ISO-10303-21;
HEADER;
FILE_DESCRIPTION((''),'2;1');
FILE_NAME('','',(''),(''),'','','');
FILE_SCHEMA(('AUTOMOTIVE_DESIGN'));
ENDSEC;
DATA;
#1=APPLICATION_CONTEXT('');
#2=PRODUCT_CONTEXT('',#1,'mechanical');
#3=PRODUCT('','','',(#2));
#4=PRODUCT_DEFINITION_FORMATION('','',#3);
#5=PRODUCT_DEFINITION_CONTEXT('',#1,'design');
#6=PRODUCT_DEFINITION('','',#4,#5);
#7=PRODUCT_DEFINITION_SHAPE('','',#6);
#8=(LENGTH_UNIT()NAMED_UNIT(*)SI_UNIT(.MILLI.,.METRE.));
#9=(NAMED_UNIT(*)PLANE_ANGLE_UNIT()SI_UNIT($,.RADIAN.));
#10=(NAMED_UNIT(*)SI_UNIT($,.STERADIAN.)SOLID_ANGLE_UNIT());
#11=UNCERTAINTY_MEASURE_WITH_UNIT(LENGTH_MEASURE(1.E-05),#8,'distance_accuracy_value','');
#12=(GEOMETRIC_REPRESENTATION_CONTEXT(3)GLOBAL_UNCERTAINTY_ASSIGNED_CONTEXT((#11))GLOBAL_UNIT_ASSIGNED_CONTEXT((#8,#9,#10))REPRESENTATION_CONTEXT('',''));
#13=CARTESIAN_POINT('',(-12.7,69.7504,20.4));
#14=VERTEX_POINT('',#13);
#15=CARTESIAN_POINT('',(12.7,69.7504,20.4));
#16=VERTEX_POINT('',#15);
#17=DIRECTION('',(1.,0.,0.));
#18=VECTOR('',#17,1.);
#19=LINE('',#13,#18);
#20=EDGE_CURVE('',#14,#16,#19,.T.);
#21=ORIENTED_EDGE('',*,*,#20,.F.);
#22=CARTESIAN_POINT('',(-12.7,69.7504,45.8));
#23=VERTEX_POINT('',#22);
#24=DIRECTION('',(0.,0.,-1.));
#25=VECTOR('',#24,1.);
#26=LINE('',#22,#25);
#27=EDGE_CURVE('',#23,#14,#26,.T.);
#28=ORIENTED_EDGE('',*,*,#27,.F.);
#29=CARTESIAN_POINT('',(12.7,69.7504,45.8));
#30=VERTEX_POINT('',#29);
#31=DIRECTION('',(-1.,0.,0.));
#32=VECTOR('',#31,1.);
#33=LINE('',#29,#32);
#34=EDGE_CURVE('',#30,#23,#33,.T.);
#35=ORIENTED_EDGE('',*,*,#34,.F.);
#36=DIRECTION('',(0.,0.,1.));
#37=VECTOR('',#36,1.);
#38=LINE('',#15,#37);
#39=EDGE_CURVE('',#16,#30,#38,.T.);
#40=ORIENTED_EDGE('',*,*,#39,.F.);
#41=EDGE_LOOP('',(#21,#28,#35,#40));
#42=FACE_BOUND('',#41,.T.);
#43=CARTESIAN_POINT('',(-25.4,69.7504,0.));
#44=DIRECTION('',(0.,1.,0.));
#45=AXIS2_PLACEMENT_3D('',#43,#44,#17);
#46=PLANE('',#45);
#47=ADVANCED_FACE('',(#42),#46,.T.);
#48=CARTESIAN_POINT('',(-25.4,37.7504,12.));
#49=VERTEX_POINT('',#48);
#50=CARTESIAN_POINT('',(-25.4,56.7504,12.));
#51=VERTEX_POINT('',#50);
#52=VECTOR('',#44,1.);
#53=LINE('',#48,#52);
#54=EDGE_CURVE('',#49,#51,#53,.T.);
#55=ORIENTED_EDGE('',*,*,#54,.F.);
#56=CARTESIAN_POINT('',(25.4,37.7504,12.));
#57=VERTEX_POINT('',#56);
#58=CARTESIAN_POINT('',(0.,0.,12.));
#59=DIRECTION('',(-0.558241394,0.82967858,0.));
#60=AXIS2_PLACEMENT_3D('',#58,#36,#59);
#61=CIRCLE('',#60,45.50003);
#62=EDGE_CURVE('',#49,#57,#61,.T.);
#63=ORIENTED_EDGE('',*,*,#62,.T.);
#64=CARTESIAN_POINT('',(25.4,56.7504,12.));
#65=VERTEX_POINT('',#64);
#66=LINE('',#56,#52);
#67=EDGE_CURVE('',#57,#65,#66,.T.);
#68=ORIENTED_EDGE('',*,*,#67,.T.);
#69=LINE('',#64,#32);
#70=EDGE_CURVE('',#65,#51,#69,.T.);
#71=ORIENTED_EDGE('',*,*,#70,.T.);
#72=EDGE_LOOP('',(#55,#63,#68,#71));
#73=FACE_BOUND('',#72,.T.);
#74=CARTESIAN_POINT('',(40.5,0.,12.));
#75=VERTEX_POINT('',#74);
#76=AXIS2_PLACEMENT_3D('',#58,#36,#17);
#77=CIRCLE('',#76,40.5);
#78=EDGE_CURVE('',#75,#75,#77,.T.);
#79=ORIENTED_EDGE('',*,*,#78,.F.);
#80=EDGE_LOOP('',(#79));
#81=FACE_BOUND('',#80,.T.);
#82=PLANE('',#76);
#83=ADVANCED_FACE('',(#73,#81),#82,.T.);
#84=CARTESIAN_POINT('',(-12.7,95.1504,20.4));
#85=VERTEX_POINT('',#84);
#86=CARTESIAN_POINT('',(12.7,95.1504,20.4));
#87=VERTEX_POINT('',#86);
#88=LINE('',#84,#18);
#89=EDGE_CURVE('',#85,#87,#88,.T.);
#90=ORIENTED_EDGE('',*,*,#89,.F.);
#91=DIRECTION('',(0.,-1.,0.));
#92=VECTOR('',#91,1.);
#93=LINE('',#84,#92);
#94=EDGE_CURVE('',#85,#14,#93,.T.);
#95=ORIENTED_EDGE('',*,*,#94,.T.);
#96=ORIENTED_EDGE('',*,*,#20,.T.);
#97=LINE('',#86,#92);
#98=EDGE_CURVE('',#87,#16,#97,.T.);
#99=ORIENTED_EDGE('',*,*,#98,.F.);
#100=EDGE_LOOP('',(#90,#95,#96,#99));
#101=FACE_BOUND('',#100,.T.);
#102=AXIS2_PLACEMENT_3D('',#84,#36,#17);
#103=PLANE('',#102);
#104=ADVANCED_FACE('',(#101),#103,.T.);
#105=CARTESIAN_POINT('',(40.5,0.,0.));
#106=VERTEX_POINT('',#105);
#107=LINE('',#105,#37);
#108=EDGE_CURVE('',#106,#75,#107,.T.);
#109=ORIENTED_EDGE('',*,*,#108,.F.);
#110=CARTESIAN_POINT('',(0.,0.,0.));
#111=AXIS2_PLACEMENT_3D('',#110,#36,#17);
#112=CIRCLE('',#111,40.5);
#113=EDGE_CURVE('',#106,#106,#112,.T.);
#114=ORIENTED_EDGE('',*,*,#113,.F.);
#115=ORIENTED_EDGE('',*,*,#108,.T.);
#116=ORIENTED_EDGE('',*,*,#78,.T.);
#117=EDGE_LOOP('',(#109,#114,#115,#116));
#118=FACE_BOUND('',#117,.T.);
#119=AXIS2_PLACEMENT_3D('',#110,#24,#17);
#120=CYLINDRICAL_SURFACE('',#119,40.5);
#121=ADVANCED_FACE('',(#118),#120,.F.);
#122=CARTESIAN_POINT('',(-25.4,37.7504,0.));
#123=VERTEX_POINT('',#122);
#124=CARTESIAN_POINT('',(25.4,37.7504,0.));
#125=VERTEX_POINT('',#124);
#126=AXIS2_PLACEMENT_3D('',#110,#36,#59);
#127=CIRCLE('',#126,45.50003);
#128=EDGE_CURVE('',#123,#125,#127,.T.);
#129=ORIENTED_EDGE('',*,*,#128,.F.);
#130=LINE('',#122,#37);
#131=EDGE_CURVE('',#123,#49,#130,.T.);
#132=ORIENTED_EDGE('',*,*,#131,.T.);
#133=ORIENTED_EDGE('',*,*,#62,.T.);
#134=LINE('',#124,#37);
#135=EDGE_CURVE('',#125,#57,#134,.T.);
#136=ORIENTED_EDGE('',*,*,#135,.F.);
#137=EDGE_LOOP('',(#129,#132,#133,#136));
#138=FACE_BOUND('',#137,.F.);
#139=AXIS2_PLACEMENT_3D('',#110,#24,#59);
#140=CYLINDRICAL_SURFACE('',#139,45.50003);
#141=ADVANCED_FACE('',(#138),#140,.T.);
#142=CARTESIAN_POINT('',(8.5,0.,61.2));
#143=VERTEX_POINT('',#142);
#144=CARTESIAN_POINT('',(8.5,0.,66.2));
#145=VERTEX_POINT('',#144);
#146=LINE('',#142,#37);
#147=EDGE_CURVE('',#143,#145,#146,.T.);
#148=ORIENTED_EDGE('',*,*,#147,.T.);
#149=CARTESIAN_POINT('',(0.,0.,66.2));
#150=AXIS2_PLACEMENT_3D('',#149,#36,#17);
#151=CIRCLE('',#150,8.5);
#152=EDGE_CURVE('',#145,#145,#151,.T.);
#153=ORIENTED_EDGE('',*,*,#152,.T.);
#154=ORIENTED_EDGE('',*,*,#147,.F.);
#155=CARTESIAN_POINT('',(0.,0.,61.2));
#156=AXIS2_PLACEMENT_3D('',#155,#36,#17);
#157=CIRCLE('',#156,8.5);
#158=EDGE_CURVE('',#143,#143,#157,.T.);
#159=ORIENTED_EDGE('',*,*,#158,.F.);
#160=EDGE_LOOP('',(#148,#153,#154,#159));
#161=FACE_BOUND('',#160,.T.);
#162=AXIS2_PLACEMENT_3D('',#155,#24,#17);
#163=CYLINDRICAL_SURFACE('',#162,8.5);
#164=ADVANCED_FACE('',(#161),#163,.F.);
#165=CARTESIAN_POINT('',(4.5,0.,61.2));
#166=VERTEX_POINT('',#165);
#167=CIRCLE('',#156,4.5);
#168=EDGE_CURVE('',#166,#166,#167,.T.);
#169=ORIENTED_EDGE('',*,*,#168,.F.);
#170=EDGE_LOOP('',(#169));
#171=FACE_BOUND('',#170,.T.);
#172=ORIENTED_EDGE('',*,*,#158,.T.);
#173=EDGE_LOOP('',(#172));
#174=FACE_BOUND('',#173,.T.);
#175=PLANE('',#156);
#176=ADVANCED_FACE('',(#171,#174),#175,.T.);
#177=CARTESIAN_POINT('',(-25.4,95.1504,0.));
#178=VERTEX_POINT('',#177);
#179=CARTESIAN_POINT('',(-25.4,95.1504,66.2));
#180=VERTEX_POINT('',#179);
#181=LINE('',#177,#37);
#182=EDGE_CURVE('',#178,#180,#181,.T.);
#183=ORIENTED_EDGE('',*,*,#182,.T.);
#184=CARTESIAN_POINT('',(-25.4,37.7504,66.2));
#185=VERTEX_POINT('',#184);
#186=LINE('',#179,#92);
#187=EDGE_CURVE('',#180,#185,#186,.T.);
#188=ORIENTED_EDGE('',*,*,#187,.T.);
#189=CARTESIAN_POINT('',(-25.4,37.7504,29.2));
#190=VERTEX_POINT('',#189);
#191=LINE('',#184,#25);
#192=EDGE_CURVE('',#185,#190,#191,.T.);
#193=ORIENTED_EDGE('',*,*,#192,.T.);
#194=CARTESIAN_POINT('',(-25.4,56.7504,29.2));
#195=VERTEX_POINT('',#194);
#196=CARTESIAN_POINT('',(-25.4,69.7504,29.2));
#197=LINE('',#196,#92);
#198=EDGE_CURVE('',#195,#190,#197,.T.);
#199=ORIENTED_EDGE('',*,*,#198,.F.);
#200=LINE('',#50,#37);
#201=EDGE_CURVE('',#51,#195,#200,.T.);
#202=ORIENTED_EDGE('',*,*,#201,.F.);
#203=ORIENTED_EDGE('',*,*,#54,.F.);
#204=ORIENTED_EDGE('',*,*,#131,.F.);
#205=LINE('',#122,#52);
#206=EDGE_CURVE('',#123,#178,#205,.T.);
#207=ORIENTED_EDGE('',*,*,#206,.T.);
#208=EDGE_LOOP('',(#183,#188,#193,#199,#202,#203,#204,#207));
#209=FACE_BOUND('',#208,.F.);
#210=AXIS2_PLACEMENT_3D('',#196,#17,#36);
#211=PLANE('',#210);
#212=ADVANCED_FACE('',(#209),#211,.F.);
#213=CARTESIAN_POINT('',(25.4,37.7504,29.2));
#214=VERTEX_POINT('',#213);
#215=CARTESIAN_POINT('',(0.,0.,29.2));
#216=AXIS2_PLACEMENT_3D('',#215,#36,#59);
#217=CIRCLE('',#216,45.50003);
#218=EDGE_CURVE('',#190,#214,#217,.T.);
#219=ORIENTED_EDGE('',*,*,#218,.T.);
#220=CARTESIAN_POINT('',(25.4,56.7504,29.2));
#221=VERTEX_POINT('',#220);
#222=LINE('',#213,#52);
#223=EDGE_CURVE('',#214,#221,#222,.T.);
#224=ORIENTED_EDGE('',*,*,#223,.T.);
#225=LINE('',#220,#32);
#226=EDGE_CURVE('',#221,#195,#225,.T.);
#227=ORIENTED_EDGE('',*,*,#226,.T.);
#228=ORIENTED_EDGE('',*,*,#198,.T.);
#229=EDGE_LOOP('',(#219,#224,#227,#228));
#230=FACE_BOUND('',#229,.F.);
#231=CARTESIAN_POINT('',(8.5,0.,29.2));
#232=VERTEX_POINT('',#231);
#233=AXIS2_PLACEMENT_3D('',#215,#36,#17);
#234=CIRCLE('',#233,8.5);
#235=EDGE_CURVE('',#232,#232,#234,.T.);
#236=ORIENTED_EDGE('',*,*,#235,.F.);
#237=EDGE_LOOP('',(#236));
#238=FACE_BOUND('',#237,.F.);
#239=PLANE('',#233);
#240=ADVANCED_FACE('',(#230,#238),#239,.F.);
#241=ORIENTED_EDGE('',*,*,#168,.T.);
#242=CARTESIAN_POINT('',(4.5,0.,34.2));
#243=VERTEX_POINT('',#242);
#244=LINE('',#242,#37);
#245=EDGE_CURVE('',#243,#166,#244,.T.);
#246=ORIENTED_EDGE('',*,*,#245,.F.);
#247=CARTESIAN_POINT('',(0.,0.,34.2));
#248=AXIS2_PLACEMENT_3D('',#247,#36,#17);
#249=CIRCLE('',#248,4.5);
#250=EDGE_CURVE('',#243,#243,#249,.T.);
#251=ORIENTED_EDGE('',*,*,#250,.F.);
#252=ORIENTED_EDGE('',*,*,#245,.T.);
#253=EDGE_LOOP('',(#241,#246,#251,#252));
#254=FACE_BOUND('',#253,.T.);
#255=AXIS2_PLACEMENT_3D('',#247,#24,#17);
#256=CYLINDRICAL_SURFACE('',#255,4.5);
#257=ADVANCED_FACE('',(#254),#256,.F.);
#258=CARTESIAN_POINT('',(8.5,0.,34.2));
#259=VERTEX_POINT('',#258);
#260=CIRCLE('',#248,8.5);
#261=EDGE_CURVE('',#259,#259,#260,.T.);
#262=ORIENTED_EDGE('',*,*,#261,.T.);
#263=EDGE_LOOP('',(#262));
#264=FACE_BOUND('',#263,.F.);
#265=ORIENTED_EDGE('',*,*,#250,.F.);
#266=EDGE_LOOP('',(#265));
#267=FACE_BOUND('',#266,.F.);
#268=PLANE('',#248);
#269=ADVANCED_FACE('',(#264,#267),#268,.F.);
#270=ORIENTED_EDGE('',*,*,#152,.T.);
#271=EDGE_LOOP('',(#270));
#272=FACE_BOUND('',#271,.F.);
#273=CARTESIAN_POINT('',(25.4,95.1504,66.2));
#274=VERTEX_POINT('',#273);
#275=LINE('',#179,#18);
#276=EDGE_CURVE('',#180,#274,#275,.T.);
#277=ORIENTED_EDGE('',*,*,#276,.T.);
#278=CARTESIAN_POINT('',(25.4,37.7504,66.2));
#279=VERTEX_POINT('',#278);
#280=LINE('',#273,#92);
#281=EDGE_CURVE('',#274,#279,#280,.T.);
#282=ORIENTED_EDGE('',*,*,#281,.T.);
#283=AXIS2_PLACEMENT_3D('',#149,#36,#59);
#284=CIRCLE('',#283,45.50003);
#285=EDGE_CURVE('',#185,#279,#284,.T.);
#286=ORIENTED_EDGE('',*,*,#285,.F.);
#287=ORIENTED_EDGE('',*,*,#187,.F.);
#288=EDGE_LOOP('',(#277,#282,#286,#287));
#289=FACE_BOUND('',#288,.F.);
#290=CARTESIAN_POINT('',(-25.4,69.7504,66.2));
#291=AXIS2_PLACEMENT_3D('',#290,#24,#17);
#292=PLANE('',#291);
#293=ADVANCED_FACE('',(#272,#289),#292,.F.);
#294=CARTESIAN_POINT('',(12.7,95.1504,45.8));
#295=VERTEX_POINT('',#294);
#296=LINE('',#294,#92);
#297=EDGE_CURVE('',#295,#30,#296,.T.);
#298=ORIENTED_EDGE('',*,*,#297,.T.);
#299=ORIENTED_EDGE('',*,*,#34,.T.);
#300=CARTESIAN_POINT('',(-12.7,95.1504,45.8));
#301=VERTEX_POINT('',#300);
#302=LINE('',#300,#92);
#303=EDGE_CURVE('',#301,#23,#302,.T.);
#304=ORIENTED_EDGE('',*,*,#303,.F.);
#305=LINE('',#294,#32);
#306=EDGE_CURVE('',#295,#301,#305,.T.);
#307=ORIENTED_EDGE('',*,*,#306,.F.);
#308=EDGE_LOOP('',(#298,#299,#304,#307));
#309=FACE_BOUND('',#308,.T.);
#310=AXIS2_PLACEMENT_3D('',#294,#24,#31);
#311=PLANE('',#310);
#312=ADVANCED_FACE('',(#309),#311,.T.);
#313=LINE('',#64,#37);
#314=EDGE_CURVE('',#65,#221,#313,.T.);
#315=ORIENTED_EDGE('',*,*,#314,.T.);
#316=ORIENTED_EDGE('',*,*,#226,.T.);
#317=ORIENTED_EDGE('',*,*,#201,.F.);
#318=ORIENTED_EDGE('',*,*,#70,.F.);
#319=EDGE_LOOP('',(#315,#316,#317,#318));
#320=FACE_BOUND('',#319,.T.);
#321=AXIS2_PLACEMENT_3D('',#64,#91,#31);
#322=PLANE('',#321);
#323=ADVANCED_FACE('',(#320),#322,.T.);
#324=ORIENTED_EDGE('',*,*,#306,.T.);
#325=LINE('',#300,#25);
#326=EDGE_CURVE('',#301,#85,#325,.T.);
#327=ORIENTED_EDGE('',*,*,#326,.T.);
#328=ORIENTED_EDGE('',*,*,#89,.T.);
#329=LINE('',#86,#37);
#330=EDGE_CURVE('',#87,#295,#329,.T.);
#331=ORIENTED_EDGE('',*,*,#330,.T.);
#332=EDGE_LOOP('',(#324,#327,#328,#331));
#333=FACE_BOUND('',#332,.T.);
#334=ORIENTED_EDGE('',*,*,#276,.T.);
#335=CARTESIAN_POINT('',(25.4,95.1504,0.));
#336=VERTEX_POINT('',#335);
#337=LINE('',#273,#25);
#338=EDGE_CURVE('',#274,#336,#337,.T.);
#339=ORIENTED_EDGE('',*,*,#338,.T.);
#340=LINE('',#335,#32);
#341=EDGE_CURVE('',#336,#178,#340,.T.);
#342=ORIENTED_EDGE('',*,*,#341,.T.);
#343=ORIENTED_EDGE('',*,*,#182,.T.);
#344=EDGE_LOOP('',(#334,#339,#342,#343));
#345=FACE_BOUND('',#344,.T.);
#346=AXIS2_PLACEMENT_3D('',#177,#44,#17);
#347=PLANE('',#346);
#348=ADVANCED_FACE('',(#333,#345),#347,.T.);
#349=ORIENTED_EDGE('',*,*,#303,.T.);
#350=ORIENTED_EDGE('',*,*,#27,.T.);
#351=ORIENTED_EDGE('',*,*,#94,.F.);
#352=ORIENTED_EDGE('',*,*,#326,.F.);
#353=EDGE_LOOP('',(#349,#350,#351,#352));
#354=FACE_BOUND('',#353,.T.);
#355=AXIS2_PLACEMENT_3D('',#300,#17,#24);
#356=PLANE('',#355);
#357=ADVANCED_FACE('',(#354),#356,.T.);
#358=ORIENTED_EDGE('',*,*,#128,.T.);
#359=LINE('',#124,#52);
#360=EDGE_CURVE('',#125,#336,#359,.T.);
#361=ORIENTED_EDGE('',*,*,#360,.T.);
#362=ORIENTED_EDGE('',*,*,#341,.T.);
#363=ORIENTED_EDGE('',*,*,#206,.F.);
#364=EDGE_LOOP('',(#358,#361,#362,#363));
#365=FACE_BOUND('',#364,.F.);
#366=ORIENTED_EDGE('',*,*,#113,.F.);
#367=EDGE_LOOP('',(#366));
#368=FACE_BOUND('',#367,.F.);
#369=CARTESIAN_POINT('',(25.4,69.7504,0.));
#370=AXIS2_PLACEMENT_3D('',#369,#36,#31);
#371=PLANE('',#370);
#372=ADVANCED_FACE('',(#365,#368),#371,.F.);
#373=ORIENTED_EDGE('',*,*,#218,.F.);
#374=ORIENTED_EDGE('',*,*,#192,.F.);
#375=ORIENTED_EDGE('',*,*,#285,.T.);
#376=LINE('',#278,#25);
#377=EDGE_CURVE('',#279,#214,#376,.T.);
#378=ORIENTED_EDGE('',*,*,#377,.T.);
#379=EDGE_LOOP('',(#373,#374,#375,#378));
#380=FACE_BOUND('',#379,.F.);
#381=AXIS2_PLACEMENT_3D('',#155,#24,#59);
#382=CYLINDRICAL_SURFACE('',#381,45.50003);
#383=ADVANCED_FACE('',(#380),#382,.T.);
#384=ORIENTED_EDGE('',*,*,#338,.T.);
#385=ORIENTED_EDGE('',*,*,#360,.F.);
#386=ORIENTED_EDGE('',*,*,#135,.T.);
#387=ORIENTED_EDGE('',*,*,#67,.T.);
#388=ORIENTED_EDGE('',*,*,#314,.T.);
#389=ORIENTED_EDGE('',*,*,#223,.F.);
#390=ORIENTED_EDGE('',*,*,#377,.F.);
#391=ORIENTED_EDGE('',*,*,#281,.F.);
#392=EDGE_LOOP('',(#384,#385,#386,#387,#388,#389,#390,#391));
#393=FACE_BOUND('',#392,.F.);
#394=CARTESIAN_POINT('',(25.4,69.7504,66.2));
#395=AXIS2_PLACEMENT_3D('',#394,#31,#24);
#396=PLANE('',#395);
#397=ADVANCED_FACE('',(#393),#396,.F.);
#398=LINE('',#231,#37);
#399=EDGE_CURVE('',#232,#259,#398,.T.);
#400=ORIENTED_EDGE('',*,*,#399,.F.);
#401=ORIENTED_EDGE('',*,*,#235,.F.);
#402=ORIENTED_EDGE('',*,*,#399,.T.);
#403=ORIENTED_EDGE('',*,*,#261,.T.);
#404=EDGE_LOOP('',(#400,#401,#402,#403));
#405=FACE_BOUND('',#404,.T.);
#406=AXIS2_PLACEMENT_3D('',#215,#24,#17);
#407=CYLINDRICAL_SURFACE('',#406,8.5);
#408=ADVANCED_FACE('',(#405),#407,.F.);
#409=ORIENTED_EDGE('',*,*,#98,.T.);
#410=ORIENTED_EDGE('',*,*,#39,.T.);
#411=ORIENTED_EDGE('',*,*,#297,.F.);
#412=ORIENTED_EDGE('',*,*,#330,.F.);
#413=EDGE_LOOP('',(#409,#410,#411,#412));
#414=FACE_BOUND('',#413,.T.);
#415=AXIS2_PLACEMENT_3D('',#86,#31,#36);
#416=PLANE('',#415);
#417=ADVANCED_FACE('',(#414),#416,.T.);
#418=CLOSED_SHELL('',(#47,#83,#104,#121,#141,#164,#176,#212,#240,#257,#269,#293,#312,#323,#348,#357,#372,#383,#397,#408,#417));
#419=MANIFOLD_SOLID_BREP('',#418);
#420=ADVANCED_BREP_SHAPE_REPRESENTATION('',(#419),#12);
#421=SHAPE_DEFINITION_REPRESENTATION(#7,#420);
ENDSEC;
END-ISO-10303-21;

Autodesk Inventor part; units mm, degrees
ref_plane "YZ Plane" through (0, 0, 0) normal (1, 0, 0) x (0, 1, 0)
ref_plane "XZ Plane" through (0, 0, 0) normal (0, 1, 0) x (-1, 0, 0)
ref_plane "XY Plane" through (0, 0, 0) normal (0, 0, 1) x (1, 0, 0)
sketch "Sketch1" plane through (0, 0, 0) normal (0, 0, 1) x (1, 0, 0)
  circle A0 centre (0, 0) radius 40.5
  arc A1 (-25.4, 37.7504) -> (25.4, 37.7504) centre (0, 0) ccw
  line L0 (-25.4, 37.7504) -> (-25.4, 57.7504)
  line L1 (-25.4, 57.7504) -> (25.4, 57.7504)
  line L2 (25.4, 57.7504) -> (25.4, 37.7504)
  dimension "d1" = 5
  dimension "d9" = 20
extrude "Extrusion1" add sketch "Sketch1" along normal blind 12
sketch "Sketch2" plane through (-25.4, 57.7504, 0) normal (0, 1, 0) x (1, 0, 0)
  line L0 (0, -12) -> (50.8, -12)
  line L1 (50.8, -12) -> (50.8, 0)
  line L2 (50.8, 0) -> (0, 0)
  line L3 (0, 0) -> (0, -12)
  point P0 (25.4, 0)
extrude "Extrusion2" add sketch "Sketch2" along normal blind 12
sketch "Sketch3" plane through (0, 0, 12) normal (0, 0, 1) x (1, 0, 0)
  line L0 (-25.4, 37.7504) -> (-25.4, 69.7504) projected
  line L1 (25.4, 37.7504) -> (25.4, 69.7504) projected
  line L2 (-25.4, 69.7504) -> (25.4, 69.7504)
  line L3 (25.4, 69.7504) -> (25.4, 56.7504)
  line L4 (25.4, 56.7504) -> (-25.4, 56.7504)
  line L5 (-25.4, 56.7504) -> (-25.4, 69.7504)
  point P0 (0, 0)
  dimension "d12" = 13
extrude "Extrusion3" add sketch "Sketch3" along normal blind 17.2
sketch "Sketch4" plane through (0, 0, 29.2) normal (0, 0, 1) x (1, 0, 0)
  line L0 (25.4, 69.7504) -> (-25.4, 69.7504) projected
  line L1 (-25.4, 69.7504) -> (-25.4, 37.7504)
  circle A0 centre (0, 0) radius 8.5
  arc A1 (-25.4, 37.7504) -> (25.4, 37.7504) centre (0, 0) ccw
  arc A2 (-25.4, 37.7504) -> (25.4, 37.7504) centre (0, 0) ccw projected
  line L2 (25.4, 37.7504) -> (25.4, 69.7504) projected
  line L3 (25.4, 37.7504) -> (25.4, 69.7504)
  line L4 (25.4, 69.7504) -> (-25.4, 69.7504)
  dimension "d15" = 17
extrude "Extrusion4" add sketch "Sketch4" along normal blind 5
sketch "Sketch5" plane through (0, 0, 34.2) normal (0, 0, 1) x (1, 0, 0)
  arc A0 (-25.4, 37.7504) -> (25.4, 37.7504) centre (0, 0) ccw
  circle A1 centre (0, 0) radius 4.5
  line L0 (-25.4, 37.7504) -> (-25.4, 69.7504) projected
  line L1 (-25.4, 37.7504) -> (-25.4, 69.7504)
  line L2 (25.4, 69.7504) -> (-25.4, 69.7504) projected
  line L3 (-25.4, 69.7504) -> (25.4, 69.7504)
  line L4 (25.4, 69.7504) -> (25.4, 37.7504)
  dimension "d18" = 9
extrude "Extrusion5" add sketch "Sketch5" along normal blind 27
sketch "Sketch6" plane through (0, 0, 61.2) normal (0, 0, 1) x (1, 0, 0)
  line L0 (25.4, 69.7504) -> (-25.4, 69.7504) projected
  line L1 (-25.4, 56.7504) -> (-25.4, 37.7504) projected
  line L2 (-25.4, 69.7504) -> (-25.4, 37.7504)
  line L3 (-25.4, 69.7504) -> (25.4, 69.7504)
  arc A0 (-25.4, 37.7504) -> (25.4, 37.7504) centre (0, 0) ccw projected
  line L4 (25.4, 37.7504) -> (25.4, 69.7504)
  arc A1 (-25.4, 37.7504) -> (25.4, 37.7504) centre (0, 0) ccw
  circle A2 centre (0, 0) radius 8.5
  dimension "d21" = 17
extrude "Extrusion6" add sketch "Sketch6" along normal blind 5
sketch "Sketch7" plane through (-25.4, 69.7504, 0) normal (0, 1, 0) x (1, 0, 0)
  line L0 (50.8, 0) -> (0, 0) projected
  line L1 (0, -29.2) -> (0, -66.2) projected
  line L2 (50.8, 0) -> (0, 0)
  line L3 (0, 0) -> (0, -66.2)
  line L4 (0, -66.2) -> (50.8, -66.2)
  line L5 (50.8, -66.2) -> (50.8, 0)
  point P0 (25.4, 0)
extrude "Extrusion7" add sketch "Sketch7" along normal blind 25.4
sketch "Sketch8" plane through (-25.4, 95.1504, 0) normal (0, 1, 0) x (1, 0, 0)
  line L0 (0, -66.2) -> (50.8, -66.2) projected
  line L1 (0, -66.2) -> (50.8, -66.2)
  line L2 (50.8, -66.2) -> (25.4, -66.2)
  line L3 (33.9, -66.2) -> (16.9, -66.2) projected
  line L4 (50.8, -29.2) -> (50.8, -66.2) projected
  line L5 (50.8, 0) -> (50.8, -12) projected
  line L6 (50.8, -66.2) -> (50.8, 0)
  line L7 (50.8, 0) -> (50.8, -33.1)
  line L8 (12.7, -20.4) -> (38.1, -20.4)
  line L9 (38.1, -20.4) -> (38.1, -45.8)
  line L10 (38.1, -45.8) -> (12.7, -45.8)
  line L11 (12.7, -45.8) -> (12.7, -20.4)
  line L12 (43.1, -15.4) -> (7.7, -15.4)
  line L13 (7.7, -15.4) -> (7.7, -50.8)
  line L14 (7.7, -50.8) -> (43.1, -50.8)
  line L15 (43.1, -50.8) -> (43.1, -15.4)
  point P0 (25.4, 0)
  dimension "d30" = 5
extrude "Extrusion8" cut sketch "Sketch8" against normal blind 25.4 contours L8 L9 L10 L11
properties part number "Tilt_Portion"
